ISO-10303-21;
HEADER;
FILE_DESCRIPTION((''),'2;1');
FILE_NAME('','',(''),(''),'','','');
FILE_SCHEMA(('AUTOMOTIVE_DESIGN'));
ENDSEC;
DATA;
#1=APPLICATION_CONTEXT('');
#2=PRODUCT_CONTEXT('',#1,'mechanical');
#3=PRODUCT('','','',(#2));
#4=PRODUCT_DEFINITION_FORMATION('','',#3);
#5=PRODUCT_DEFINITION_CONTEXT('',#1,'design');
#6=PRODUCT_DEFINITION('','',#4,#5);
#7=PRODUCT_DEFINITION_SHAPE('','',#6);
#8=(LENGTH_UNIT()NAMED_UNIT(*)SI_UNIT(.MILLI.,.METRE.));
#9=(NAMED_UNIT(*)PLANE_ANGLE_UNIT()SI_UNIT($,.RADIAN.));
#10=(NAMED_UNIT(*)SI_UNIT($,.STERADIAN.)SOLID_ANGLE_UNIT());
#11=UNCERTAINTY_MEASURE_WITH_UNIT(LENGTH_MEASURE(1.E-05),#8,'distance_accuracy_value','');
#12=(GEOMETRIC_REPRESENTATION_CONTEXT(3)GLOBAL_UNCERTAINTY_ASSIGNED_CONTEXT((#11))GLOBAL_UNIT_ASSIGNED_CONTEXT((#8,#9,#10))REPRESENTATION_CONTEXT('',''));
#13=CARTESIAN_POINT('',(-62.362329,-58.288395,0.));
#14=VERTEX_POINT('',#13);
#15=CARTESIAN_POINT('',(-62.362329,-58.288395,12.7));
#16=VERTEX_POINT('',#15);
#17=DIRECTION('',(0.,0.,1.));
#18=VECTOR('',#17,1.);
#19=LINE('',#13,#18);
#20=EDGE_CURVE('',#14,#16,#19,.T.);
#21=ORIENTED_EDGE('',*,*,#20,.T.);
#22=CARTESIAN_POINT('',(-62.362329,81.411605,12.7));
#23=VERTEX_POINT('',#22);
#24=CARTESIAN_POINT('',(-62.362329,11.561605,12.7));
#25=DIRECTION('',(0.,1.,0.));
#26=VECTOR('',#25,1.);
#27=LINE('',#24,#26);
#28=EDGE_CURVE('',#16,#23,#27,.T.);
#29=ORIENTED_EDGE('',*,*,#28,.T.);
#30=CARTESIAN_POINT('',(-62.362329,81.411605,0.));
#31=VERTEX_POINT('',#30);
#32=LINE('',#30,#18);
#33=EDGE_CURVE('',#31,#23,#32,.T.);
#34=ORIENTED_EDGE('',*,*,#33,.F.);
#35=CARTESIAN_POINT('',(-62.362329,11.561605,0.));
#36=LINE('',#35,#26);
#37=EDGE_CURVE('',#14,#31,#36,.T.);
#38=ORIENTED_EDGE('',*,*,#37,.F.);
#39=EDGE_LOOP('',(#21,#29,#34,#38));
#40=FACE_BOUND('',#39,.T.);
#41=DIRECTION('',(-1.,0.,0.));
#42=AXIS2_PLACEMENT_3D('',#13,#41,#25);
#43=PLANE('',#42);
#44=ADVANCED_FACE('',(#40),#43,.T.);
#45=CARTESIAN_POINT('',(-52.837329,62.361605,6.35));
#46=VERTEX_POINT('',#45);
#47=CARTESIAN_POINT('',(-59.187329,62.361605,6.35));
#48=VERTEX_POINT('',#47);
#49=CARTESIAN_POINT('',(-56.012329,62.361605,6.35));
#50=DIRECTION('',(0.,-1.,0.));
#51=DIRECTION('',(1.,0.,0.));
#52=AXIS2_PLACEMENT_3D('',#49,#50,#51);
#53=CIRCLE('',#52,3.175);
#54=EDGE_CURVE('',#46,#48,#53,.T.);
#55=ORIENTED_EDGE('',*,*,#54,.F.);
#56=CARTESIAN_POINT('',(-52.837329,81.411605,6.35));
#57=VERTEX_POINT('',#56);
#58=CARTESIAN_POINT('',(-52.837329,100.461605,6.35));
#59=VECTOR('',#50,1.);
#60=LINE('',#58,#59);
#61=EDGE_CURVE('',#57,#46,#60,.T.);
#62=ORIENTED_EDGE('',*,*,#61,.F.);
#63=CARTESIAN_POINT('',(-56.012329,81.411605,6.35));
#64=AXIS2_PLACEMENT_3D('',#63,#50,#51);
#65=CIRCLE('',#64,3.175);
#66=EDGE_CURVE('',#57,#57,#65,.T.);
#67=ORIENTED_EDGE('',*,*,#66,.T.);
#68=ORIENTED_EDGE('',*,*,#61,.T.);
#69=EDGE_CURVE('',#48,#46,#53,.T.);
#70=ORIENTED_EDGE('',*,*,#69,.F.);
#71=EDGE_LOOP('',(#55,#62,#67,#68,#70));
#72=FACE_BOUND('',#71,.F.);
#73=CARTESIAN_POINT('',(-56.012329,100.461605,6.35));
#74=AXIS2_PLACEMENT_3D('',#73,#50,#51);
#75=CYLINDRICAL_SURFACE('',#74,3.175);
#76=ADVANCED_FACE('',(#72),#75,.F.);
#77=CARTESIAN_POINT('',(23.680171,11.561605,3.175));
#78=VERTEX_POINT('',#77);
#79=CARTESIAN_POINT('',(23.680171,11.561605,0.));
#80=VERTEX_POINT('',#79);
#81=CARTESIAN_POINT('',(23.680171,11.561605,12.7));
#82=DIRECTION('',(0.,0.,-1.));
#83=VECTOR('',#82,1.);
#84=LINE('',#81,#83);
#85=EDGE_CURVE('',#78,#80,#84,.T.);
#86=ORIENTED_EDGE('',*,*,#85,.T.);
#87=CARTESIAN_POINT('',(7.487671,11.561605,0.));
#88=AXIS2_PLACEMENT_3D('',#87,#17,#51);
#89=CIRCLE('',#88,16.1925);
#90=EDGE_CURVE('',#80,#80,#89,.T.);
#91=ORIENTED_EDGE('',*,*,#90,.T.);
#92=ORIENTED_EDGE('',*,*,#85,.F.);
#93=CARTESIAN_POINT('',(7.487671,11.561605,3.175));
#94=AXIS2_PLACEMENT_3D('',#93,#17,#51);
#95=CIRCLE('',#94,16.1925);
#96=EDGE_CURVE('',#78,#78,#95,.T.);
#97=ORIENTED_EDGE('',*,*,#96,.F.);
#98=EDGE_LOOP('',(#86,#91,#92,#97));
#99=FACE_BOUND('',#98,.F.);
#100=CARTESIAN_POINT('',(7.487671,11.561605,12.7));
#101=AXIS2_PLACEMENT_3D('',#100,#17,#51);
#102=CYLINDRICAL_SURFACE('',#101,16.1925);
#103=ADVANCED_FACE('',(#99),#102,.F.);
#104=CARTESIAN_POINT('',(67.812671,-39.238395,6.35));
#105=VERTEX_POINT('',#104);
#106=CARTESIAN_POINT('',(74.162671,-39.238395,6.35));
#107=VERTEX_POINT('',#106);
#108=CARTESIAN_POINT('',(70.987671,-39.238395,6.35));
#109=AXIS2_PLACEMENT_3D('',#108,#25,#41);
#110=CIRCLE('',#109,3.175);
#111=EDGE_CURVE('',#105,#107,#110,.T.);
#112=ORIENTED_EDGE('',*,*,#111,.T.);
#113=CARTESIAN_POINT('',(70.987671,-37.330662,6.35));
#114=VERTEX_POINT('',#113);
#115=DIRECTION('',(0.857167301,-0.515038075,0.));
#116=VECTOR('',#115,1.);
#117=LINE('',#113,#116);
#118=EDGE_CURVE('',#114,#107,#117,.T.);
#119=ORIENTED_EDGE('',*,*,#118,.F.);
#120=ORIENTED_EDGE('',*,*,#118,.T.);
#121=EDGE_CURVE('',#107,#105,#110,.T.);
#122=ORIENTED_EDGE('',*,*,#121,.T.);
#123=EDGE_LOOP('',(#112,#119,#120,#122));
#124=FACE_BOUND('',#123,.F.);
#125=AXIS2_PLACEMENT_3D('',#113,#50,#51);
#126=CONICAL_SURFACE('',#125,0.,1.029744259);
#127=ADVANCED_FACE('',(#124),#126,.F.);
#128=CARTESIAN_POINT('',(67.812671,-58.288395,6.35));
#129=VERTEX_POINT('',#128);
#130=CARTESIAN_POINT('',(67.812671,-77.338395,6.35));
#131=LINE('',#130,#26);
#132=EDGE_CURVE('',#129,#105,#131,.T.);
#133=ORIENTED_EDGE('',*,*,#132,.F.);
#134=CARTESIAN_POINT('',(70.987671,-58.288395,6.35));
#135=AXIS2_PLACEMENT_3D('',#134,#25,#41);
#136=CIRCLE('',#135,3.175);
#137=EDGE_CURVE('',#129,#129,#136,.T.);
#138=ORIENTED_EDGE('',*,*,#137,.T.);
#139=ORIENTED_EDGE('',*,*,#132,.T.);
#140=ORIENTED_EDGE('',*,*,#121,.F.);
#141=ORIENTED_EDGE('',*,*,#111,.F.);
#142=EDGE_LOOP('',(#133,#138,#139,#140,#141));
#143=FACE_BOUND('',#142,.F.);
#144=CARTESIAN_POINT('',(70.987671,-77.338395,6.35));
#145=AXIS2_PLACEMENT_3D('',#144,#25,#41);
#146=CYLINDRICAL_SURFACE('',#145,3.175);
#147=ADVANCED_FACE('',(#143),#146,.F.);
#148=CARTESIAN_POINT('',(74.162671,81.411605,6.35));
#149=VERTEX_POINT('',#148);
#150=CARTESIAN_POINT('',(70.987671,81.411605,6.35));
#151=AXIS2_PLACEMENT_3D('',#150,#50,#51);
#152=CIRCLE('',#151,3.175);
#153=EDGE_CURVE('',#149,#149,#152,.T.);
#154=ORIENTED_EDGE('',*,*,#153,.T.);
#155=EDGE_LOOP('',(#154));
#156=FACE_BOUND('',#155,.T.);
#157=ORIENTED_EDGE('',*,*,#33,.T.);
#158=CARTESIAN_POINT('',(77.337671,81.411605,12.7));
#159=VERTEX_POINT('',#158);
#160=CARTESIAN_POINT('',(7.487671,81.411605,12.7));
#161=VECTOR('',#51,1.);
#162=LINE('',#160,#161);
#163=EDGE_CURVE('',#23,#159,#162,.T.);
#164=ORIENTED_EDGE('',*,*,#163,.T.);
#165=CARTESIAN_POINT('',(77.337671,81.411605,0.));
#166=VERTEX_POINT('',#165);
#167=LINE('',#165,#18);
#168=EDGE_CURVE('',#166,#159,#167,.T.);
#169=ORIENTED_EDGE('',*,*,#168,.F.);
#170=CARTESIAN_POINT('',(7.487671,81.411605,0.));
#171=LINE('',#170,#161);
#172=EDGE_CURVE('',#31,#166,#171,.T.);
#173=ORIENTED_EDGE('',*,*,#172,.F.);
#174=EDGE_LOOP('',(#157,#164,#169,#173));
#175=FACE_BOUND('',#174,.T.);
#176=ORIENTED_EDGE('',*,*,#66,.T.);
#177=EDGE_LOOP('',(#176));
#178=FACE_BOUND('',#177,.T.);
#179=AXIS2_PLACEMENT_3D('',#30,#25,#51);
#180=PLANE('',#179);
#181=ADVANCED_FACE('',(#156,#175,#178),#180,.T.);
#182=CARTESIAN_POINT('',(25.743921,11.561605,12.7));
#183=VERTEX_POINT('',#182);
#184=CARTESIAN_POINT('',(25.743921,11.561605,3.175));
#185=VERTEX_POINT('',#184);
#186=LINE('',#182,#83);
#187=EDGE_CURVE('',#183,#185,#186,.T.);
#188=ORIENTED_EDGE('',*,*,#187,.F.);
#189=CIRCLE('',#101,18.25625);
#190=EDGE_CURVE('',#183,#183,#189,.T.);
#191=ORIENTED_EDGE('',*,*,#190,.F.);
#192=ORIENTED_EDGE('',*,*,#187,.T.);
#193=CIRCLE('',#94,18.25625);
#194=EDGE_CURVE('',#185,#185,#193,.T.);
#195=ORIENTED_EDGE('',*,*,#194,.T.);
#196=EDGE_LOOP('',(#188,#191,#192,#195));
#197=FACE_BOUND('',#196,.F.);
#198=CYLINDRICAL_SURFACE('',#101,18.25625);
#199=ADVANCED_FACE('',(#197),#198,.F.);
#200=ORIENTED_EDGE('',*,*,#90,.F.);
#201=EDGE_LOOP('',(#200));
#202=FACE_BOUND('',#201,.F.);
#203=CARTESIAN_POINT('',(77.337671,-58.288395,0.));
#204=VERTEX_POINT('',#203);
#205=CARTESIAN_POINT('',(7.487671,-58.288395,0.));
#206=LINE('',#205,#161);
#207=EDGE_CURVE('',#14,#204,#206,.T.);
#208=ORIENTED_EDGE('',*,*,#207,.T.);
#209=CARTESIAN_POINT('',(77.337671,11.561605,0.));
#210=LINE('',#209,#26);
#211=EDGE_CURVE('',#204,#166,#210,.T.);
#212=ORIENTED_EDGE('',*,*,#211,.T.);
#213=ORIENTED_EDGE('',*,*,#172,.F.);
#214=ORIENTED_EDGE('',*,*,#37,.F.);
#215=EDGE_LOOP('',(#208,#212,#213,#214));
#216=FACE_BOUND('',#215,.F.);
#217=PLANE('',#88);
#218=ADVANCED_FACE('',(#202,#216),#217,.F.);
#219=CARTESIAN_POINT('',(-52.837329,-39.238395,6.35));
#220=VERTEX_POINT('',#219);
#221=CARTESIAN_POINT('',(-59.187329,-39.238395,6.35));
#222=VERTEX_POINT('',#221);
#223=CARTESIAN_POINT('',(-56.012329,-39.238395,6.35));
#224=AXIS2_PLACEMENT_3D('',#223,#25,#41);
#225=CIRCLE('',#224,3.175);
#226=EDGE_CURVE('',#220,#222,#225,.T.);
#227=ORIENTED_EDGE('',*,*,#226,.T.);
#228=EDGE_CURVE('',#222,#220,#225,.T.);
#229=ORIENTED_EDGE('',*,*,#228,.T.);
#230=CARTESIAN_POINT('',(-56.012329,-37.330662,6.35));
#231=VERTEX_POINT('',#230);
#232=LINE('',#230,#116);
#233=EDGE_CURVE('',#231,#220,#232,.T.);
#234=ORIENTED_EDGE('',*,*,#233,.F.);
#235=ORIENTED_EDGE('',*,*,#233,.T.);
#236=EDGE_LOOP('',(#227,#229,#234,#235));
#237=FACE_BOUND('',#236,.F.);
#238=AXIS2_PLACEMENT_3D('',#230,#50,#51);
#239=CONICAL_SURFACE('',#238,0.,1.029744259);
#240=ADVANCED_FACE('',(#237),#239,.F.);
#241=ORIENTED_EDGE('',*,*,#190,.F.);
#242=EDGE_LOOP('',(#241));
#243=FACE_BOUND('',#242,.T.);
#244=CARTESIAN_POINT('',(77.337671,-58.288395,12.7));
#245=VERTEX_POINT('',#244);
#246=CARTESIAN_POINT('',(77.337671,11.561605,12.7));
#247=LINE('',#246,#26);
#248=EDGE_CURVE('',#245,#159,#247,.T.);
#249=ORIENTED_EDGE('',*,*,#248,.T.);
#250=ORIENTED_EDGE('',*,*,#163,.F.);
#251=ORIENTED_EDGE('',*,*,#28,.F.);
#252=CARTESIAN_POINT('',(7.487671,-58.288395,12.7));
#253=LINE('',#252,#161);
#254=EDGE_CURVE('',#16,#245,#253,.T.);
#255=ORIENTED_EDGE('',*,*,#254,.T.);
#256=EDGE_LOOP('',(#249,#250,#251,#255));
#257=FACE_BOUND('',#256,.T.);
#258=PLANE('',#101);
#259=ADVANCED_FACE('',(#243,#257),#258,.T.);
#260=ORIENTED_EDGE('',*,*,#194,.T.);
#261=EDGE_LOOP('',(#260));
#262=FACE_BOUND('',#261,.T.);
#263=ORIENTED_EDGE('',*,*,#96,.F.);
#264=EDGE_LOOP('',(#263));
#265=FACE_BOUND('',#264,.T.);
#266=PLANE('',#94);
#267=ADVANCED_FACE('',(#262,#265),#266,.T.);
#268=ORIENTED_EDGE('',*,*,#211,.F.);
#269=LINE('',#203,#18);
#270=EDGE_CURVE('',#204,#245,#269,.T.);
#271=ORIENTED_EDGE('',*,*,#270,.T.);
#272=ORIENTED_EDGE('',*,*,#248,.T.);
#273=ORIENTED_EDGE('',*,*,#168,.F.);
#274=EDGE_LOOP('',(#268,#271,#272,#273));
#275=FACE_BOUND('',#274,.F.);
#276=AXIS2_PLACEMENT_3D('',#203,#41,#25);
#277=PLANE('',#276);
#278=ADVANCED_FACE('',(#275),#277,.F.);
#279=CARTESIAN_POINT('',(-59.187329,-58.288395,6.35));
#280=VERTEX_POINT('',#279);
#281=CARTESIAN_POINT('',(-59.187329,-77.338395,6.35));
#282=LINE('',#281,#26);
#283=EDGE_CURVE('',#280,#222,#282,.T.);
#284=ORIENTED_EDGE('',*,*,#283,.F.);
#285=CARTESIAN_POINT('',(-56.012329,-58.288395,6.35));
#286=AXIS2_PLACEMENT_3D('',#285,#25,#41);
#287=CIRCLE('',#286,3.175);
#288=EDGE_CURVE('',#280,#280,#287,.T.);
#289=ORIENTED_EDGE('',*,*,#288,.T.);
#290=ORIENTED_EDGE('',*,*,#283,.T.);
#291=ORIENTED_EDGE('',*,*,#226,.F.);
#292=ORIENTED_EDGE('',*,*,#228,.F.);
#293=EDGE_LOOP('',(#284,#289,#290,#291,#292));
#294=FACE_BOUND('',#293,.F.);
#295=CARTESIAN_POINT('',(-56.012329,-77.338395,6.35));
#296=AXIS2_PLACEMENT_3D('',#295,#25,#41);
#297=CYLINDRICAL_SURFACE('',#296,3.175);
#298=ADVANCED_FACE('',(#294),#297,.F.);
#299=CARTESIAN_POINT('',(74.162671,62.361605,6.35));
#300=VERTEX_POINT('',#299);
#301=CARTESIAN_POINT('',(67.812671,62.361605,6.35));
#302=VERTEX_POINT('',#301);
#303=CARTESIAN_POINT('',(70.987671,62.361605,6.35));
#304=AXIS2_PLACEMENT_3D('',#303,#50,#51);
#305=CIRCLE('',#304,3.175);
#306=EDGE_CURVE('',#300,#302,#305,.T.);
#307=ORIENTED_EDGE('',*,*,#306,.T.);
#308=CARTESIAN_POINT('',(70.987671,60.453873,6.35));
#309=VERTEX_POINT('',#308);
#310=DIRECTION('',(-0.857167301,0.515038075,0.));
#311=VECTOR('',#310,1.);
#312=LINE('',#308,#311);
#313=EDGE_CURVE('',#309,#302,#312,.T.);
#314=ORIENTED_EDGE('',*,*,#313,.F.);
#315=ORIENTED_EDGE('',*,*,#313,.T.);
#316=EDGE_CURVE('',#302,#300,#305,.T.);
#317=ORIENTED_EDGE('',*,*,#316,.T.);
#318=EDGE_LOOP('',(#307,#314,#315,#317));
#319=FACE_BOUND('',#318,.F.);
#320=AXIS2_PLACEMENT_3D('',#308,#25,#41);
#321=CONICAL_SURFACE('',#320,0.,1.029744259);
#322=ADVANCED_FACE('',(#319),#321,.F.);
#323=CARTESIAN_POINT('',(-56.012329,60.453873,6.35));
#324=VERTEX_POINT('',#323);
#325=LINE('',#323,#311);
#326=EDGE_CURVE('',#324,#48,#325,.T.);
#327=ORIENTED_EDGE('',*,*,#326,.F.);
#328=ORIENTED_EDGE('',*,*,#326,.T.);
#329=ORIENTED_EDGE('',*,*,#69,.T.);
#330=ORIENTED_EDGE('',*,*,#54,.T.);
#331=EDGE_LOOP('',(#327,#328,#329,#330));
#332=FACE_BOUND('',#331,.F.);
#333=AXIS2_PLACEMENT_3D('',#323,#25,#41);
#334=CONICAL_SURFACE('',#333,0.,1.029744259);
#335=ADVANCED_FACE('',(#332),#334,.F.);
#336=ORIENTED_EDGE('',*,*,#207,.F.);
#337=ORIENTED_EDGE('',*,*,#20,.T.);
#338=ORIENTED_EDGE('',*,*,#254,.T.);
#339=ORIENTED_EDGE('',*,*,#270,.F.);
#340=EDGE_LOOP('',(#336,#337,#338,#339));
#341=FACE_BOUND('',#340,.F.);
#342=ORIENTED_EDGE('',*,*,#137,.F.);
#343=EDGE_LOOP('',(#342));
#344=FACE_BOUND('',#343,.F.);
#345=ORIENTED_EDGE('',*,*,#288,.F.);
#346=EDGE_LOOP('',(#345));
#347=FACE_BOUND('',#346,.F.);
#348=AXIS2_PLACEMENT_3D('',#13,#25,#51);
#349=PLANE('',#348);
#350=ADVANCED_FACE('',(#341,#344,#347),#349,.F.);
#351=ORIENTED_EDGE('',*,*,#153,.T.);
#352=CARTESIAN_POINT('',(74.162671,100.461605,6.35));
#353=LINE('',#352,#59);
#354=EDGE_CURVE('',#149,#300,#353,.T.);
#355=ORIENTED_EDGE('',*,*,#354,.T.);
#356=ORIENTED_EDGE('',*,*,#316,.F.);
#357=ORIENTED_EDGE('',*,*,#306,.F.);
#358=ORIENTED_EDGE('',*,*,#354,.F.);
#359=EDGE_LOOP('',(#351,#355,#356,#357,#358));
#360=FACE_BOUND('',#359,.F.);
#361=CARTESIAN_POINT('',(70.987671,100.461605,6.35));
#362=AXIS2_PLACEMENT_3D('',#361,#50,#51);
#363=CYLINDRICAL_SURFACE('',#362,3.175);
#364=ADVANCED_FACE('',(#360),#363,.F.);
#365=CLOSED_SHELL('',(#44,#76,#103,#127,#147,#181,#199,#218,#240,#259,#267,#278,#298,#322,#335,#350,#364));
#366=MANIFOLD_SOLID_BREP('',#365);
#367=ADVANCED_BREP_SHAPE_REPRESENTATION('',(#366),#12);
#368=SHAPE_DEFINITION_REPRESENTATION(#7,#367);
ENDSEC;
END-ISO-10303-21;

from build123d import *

# Parameters (mm, degrees)
F0_W           = 139.7
F0_H           = 139.7
F1_DEPTH       = 12.7
F2_R           = 18.25625
F2_R_2         = 16.1925
F3_DEPTH       = 9.525
F4_DEPTH       = 25.4
F7_D           = 6.35
F7_DEPTH       = 19.05
F7_TIP         = 1.9077324654
F7_ON_F6_D     = 6.35
F7_ON_F6_DEPTH = 19.05
F7_ON_F6_TIP   = 1.9077324654


with BuildPart() as f1:
    # F0 (on Top) → F1 (new body)
    with BuildSketch(Plane.XY):
        with Locations((7.4876705185, 11.5616054587)):
            Rectangle(F0_W, F0_H)
    extrude(amount=F1_DEPTH)

    # F2 (on face) → F3 (cut)
    with BuildSketch(Plane.XY.offset(12.7)):
        with Locations((7.4876705185, 11.5616054587)):
            Circle(F2_R)
        with Locations((7.4876705185, 11.5616054587)):
            Circle(F2_R_2, mode=Mode.SUBTRACT)
    extrude(amount=-F3_DEPTH, mode=Mode.SUBTRACT)

    # F4 (cut): a face of the model
    f4_faces = [f1.faces().sort_by_distance(p)[0] for p in [
        (7.4876705185, 11.5616054587, 12.7),
    ]]
    extrude(f4_faces, amount=-F4_DEPTH, mode=Mode.SUBTRACT)

    # F7
    with Locations(Plane.XZ.offset(58.2883945413)):
        with Locations((-56.0123294815, 6.35), (70.9876705185, 6.35)):
            Hole(F7_D / 2, depth=F7_DEPTH)
            with Locations((0, 0, -(F7_DEPTH + F7_TIP / 2))):  # 118° drill point
                Cone(0, F7_D / 2, F7_TIP, mode=Mode.SUBTRACT)

    # F7 on F6
    with Locations(Plane(origin=(0, 81.4116054587, 0), x_dir=(-1, 0, 0), z_dir=(0, 1, 0))):
        with Locations((-70.9876705185, 6.35), (56.0123294815, 6.35)):
            Hole(F7_ON_F6_D / 2, depth=F7_ON_F6_DEPTH)
            with Locations((0, 0, -(F7_ON_F6_DEPTH + F7_ON_F6_TIP / 2))):  # 118° drill point
                Cone(0, F7_ON_F6_D / 2, F7_ON_F6_TIP, mode=Mode.SUBTRACT)


solid = f1.part
